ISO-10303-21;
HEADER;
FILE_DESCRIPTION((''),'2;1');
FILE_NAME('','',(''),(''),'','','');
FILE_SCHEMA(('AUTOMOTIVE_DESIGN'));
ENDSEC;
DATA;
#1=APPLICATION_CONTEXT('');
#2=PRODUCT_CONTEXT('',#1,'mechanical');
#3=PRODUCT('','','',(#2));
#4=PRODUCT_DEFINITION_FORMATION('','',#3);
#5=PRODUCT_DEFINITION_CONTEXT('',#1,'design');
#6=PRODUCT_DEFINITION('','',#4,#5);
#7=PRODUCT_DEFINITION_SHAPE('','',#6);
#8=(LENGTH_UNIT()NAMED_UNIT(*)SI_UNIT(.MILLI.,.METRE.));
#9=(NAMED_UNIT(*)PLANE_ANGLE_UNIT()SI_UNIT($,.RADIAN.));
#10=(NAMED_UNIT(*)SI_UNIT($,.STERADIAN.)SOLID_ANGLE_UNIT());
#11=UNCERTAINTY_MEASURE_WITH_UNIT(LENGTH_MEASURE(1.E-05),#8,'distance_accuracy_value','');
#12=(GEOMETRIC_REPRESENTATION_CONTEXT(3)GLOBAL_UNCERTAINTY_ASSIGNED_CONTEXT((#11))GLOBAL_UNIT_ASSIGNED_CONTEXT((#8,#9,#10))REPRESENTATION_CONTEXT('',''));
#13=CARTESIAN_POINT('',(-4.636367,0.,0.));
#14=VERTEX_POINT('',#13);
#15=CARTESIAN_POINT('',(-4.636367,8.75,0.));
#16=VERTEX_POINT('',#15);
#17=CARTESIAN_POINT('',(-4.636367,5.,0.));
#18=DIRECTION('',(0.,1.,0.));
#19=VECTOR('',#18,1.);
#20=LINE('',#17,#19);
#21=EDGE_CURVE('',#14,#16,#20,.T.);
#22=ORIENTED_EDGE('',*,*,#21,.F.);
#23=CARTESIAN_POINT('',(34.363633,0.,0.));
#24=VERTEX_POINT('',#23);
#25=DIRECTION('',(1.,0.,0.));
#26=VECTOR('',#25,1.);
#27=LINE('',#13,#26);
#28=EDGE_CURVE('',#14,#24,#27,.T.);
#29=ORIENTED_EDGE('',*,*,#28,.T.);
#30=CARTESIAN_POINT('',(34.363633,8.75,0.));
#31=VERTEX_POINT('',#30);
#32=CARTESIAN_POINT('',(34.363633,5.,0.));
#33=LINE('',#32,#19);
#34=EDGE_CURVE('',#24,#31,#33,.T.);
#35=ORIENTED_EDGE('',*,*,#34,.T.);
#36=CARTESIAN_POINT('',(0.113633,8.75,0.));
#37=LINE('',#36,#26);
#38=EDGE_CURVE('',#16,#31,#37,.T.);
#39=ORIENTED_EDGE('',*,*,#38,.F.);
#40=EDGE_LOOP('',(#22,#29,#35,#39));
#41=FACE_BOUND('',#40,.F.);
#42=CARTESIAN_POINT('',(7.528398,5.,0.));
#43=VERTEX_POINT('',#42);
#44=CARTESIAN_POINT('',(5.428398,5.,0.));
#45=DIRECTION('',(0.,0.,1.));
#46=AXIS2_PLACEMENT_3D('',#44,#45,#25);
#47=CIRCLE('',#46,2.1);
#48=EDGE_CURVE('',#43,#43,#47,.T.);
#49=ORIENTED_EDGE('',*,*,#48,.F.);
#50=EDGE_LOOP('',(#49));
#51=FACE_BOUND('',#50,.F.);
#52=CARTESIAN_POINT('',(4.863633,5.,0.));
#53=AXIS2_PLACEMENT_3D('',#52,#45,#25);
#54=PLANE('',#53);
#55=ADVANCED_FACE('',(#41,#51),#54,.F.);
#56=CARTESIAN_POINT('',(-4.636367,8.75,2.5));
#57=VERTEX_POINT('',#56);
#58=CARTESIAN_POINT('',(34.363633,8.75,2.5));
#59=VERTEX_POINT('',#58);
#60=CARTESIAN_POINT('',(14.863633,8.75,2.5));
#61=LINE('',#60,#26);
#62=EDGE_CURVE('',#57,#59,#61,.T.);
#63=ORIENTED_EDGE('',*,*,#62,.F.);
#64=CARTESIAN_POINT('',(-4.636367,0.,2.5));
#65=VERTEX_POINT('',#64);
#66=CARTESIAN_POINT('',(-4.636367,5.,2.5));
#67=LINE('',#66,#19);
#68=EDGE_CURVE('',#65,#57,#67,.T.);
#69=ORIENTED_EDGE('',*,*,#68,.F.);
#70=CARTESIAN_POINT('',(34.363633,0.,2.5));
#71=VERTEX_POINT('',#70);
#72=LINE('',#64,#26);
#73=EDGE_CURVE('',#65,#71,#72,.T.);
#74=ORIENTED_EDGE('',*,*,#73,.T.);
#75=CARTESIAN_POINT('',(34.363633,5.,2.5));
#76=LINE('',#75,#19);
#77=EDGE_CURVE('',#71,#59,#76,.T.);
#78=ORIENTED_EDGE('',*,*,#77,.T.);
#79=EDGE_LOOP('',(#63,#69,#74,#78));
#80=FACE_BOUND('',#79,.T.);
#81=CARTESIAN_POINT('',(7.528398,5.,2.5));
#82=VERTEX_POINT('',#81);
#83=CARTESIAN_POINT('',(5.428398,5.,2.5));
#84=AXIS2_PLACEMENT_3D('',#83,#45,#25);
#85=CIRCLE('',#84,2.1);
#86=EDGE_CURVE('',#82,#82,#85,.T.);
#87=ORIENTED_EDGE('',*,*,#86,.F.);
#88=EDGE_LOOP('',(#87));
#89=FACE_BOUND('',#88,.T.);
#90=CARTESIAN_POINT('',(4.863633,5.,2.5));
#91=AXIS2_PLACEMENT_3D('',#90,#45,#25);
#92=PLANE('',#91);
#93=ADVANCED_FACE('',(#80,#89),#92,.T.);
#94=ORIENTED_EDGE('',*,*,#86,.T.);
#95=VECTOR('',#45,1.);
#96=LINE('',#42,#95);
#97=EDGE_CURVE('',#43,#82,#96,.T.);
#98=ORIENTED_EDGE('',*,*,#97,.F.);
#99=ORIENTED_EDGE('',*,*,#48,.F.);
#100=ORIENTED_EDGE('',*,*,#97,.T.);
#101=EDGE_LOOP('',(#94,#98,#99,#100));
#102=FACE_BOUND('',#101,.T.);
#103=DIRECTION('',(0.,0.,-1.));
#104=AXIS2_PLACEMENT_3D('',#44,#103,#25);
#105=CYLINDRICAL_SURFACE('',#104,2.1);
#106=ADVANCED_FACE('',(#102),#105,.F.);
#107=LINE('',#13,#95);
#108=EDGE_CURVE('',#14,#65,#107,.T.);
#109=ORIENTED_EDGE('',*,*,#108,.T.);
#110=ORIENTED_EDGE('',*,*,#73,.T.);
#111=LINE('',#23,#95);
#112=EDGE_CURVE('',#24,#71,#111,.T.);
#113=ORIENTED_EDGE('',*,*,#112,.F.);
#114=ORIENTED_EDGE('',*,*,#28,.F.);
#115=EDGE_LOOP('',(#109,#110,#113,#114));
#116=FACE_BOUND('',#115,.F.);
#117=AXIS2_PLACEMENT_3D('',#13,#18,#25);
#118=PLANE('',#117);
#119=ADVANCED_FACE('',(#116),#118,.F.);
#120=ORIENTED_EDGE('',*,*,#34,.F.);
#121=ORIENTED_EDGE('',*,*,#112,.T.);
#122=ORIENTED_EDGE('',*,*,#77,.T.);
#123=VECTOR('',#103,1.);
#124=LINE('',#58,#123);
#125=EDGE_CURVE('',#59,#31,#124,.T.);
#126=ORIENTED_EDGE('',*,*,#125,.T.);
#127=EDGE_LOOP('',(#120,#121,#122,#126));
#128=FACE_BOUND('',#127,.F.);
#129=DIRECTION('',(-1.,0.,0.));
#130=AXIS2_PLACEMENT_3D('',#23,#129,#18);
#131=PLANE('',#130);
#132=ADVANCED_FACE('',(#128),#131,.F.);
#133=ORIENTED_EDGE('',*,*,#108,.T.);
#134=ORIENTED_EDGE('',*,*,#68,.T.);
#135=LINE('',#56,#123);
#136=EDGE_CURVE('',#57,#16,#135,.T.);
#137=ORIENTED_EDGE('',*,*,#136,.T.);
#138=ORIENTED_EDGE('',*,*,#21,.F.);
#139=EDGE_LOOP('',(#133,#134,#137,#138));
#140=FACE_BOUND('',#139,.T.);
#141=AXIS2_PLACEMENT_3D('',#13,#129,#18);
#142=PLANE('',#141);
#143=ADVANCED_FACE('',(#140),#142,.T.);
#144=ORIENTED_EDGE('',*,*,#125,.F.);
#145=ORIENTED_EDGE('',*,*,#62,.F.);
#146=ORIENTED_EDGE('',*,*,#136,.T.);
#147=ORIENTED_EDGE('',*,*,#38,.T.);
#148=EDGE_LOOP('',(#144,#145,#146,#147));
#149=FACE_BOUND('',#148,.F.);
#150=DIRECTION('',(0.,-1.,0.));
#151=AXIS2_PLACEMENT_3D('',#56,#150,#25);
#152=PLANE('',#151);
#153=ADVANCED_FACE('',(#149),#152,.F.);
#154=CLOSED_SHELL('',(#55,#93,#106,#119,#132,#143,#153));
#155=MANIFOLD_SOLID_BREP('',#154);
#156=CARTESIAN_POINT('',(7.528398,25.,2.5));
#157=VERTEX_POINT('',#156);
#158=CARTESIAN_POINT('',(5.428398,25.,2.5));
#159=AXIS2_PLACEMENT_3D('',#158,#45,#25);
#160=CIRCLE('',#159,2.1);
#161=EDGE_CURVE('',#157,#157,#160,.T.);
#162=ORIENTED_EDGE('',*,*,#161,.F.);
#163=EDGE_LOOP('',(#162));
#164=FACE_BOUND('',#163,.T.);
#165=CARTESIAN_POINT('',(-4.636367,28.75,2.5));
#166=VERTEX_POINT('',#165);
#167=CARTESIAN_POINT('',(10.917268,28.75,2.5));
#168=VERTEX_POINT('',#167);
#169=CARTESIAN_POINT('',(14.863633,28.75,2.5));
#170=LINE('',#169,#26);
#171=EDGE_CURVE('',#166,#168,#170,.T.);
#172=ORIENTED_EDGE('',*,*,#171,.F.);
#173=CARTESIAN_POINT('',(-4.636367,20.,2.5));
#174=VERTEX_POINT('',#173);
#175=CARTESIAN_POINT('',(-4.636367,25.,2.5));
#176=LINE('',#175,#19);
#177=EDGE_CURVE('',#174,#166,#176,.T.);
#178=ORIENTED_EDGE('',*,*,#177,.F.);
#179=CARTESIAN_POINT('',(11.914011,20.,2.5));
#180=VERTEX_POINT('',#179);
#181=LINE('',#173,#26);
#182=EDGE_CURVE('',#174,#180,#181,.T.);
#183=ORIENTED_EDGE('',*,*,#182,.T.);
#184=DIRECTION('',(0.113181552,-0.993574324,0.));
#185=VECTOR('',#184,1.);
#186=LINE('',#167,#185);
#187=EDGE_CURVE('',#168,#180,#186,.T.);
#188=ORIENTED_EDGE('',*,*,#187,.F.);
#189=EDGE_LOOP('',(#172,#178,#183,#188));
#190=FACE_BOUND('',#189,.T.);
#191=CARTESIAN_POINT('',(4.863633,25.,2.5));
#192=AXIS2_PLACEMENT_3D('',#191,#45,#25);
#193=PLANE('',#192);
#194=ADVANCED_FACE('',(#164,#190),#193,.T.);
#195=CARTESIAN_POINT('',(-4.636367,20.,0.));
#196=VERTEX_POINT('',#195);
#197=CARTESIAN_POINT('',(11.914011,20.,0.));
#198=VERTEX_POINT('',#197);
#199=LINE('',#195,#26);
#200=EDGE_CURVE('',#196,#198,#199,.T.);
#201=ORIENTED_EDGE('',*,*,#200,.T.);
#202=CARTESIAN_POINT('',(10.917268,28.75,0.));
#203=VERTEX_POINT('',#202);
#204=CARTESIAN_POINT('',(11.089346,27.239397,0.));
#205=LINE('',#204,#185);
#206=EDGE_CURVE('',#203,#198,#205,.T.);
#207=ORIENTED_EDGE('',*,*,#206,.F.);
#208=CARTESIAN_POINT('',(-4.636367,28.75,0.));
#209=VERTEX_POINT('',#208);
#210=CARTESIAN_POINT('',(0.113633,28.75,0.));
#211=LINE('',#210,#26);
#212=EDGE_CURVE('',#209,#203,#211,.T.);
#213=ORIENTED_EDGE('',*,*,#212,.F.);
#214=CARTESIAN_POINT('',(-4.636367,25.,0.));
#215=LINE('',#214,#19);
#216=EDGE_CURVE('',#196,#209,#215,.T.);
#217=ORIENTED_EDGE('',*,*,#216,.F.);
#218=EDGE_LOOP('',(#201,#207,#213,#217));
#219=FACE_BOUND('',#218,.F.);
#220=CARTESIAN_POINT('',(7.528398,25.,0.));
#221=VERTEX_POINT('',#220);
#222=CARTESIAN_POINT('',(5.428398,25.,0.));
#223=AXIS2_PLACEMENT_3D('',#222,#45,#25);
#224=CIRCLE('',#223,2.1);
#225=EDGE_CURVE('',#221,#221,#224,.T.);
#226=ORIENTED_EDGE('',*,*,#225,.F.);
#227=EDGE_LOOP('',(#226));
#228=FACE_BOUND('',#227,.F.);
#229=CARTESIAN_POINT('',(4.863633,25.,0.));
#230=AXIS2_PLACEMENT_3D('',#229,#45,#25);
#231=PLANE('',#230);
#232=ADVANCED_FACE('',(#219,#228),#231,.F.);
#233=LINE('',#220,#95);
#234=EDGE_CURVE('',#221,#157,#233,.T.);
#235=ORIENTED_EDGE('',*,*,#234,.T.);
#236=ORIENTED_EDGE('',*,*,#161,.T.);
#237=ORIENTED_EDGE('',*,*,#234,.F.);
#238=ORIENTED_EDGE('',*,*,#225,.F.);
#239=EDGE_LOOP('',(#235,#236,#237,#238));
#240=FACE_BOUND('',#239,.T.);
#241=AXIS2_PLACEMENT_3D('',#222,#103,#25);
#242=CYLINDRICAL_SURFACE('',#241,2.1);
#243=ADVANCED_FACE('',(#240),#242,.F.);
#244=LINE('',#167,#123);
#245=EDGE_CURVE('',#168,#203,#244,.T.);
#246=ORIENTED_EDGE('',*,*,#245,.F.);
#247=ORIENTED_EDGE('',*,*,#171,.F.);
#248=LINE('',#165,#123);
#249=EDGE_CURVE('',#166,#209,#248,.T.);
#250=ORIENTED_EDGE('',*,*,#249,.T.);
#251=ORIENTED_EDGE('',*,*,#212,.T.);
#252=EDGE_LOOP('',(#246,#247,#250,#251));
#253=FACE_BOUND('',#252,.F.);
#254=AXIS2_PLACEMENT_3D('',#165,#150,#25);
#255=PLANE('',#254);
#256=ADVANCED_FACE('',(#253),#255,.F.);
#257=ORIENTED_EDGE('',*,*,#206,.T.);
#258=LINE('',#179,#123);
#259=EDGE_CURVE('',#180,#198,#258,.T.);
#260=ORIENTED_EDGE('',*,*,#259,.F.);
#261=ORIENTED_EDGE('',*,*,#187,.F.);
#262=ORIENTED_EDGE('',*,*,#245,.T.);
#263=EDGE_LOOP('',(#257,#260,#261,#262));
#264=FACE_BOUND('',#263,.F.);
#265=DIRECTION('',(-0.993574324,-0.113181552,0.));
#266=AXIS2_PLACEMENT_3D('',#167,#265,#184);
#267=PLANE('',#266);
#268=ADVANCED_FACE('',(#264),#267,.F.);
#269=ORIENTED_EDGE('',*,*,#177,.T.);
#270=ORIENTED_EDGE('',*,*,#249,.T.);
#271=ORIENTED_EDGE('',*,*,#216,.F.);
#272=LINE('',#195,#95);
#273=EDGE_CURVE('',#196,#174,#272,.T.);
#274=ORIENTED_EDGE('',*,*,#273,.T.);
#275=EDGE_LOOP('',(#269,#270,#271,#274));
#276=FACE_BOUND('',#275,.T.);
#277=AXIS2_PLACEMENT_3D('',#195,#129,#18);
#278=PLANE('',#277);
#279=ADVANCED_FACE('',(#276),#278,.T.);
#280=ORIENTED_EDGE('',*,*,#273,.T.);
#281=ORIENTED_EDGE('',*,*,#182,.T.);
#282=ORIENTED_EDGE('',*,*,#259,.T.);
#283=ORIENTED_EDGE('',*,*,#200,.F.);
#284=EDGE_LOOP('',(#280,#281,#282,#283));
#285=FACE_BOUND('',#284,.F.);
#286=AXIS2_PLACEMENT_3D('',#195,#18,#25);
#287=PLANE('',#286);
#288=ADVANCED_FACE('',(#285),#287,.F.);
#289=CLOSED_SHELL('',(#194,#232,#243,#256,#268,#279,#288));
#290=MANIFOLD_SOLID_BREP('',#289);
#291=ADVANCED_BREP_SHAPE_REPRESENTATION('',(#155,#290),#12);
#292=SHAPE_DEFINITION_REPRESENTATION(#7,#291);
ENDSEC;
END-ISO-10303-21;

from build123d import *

# Parameters (mm, degrees)
F0_W     = 19
F0_H     = 10
F0_R     = 2.1
F0_W_2   = 20
F1_DEPTH = 2.5
F2_W     = 39
F2_H     = 1.25
F3_DEPTH = 2.501
F6_DEPTH = 2.501


with BuildPart() as f1:
    # F0 (on Top) → F1 (new body)
    with BuildSketch(Plane.XY):
        with Locations((4.863633034, 5)):
            Rectangle(F0_W, F0_H)
        with Locations((5.428398028, 5)):
            Circle(F0_R, mode=Mode.SUBTRACT)
        with Locations((24.363633034, 5)):
            Rectangle(F0_W_2, F0_H)
    extrude(amount=F1_DEPTH)

    # F2 (on face) → F3 (cut, through all)
    with BuildSketch(Plane.XY.offset(2.5)):
        with Locations((14.863633034, 9.375)):
            Rectangle(F2_W, F2_H)
    extrude(amount=-F3_DEPTH, mode=Mode.SUBTRACT)


with BuildPart() as f4_1:
    # F4: copy of F1
    add(f1.part.moved(Location((0, 20, 0))))

    # F5 (on face) → F6 (cut, through all)
    with BuildSketch(Plane.XY.offset(2.5)):
        Polygon((10.9172677621, 28.75), (11.914011091, 20), (34.363633034, 20), (34.363633034, 28.75), align=None)
    extrude(amount=-F6_DEPTH, mode=Mode.SUBTRACT)


solid = Compound([f1.part, f4_1.part])
